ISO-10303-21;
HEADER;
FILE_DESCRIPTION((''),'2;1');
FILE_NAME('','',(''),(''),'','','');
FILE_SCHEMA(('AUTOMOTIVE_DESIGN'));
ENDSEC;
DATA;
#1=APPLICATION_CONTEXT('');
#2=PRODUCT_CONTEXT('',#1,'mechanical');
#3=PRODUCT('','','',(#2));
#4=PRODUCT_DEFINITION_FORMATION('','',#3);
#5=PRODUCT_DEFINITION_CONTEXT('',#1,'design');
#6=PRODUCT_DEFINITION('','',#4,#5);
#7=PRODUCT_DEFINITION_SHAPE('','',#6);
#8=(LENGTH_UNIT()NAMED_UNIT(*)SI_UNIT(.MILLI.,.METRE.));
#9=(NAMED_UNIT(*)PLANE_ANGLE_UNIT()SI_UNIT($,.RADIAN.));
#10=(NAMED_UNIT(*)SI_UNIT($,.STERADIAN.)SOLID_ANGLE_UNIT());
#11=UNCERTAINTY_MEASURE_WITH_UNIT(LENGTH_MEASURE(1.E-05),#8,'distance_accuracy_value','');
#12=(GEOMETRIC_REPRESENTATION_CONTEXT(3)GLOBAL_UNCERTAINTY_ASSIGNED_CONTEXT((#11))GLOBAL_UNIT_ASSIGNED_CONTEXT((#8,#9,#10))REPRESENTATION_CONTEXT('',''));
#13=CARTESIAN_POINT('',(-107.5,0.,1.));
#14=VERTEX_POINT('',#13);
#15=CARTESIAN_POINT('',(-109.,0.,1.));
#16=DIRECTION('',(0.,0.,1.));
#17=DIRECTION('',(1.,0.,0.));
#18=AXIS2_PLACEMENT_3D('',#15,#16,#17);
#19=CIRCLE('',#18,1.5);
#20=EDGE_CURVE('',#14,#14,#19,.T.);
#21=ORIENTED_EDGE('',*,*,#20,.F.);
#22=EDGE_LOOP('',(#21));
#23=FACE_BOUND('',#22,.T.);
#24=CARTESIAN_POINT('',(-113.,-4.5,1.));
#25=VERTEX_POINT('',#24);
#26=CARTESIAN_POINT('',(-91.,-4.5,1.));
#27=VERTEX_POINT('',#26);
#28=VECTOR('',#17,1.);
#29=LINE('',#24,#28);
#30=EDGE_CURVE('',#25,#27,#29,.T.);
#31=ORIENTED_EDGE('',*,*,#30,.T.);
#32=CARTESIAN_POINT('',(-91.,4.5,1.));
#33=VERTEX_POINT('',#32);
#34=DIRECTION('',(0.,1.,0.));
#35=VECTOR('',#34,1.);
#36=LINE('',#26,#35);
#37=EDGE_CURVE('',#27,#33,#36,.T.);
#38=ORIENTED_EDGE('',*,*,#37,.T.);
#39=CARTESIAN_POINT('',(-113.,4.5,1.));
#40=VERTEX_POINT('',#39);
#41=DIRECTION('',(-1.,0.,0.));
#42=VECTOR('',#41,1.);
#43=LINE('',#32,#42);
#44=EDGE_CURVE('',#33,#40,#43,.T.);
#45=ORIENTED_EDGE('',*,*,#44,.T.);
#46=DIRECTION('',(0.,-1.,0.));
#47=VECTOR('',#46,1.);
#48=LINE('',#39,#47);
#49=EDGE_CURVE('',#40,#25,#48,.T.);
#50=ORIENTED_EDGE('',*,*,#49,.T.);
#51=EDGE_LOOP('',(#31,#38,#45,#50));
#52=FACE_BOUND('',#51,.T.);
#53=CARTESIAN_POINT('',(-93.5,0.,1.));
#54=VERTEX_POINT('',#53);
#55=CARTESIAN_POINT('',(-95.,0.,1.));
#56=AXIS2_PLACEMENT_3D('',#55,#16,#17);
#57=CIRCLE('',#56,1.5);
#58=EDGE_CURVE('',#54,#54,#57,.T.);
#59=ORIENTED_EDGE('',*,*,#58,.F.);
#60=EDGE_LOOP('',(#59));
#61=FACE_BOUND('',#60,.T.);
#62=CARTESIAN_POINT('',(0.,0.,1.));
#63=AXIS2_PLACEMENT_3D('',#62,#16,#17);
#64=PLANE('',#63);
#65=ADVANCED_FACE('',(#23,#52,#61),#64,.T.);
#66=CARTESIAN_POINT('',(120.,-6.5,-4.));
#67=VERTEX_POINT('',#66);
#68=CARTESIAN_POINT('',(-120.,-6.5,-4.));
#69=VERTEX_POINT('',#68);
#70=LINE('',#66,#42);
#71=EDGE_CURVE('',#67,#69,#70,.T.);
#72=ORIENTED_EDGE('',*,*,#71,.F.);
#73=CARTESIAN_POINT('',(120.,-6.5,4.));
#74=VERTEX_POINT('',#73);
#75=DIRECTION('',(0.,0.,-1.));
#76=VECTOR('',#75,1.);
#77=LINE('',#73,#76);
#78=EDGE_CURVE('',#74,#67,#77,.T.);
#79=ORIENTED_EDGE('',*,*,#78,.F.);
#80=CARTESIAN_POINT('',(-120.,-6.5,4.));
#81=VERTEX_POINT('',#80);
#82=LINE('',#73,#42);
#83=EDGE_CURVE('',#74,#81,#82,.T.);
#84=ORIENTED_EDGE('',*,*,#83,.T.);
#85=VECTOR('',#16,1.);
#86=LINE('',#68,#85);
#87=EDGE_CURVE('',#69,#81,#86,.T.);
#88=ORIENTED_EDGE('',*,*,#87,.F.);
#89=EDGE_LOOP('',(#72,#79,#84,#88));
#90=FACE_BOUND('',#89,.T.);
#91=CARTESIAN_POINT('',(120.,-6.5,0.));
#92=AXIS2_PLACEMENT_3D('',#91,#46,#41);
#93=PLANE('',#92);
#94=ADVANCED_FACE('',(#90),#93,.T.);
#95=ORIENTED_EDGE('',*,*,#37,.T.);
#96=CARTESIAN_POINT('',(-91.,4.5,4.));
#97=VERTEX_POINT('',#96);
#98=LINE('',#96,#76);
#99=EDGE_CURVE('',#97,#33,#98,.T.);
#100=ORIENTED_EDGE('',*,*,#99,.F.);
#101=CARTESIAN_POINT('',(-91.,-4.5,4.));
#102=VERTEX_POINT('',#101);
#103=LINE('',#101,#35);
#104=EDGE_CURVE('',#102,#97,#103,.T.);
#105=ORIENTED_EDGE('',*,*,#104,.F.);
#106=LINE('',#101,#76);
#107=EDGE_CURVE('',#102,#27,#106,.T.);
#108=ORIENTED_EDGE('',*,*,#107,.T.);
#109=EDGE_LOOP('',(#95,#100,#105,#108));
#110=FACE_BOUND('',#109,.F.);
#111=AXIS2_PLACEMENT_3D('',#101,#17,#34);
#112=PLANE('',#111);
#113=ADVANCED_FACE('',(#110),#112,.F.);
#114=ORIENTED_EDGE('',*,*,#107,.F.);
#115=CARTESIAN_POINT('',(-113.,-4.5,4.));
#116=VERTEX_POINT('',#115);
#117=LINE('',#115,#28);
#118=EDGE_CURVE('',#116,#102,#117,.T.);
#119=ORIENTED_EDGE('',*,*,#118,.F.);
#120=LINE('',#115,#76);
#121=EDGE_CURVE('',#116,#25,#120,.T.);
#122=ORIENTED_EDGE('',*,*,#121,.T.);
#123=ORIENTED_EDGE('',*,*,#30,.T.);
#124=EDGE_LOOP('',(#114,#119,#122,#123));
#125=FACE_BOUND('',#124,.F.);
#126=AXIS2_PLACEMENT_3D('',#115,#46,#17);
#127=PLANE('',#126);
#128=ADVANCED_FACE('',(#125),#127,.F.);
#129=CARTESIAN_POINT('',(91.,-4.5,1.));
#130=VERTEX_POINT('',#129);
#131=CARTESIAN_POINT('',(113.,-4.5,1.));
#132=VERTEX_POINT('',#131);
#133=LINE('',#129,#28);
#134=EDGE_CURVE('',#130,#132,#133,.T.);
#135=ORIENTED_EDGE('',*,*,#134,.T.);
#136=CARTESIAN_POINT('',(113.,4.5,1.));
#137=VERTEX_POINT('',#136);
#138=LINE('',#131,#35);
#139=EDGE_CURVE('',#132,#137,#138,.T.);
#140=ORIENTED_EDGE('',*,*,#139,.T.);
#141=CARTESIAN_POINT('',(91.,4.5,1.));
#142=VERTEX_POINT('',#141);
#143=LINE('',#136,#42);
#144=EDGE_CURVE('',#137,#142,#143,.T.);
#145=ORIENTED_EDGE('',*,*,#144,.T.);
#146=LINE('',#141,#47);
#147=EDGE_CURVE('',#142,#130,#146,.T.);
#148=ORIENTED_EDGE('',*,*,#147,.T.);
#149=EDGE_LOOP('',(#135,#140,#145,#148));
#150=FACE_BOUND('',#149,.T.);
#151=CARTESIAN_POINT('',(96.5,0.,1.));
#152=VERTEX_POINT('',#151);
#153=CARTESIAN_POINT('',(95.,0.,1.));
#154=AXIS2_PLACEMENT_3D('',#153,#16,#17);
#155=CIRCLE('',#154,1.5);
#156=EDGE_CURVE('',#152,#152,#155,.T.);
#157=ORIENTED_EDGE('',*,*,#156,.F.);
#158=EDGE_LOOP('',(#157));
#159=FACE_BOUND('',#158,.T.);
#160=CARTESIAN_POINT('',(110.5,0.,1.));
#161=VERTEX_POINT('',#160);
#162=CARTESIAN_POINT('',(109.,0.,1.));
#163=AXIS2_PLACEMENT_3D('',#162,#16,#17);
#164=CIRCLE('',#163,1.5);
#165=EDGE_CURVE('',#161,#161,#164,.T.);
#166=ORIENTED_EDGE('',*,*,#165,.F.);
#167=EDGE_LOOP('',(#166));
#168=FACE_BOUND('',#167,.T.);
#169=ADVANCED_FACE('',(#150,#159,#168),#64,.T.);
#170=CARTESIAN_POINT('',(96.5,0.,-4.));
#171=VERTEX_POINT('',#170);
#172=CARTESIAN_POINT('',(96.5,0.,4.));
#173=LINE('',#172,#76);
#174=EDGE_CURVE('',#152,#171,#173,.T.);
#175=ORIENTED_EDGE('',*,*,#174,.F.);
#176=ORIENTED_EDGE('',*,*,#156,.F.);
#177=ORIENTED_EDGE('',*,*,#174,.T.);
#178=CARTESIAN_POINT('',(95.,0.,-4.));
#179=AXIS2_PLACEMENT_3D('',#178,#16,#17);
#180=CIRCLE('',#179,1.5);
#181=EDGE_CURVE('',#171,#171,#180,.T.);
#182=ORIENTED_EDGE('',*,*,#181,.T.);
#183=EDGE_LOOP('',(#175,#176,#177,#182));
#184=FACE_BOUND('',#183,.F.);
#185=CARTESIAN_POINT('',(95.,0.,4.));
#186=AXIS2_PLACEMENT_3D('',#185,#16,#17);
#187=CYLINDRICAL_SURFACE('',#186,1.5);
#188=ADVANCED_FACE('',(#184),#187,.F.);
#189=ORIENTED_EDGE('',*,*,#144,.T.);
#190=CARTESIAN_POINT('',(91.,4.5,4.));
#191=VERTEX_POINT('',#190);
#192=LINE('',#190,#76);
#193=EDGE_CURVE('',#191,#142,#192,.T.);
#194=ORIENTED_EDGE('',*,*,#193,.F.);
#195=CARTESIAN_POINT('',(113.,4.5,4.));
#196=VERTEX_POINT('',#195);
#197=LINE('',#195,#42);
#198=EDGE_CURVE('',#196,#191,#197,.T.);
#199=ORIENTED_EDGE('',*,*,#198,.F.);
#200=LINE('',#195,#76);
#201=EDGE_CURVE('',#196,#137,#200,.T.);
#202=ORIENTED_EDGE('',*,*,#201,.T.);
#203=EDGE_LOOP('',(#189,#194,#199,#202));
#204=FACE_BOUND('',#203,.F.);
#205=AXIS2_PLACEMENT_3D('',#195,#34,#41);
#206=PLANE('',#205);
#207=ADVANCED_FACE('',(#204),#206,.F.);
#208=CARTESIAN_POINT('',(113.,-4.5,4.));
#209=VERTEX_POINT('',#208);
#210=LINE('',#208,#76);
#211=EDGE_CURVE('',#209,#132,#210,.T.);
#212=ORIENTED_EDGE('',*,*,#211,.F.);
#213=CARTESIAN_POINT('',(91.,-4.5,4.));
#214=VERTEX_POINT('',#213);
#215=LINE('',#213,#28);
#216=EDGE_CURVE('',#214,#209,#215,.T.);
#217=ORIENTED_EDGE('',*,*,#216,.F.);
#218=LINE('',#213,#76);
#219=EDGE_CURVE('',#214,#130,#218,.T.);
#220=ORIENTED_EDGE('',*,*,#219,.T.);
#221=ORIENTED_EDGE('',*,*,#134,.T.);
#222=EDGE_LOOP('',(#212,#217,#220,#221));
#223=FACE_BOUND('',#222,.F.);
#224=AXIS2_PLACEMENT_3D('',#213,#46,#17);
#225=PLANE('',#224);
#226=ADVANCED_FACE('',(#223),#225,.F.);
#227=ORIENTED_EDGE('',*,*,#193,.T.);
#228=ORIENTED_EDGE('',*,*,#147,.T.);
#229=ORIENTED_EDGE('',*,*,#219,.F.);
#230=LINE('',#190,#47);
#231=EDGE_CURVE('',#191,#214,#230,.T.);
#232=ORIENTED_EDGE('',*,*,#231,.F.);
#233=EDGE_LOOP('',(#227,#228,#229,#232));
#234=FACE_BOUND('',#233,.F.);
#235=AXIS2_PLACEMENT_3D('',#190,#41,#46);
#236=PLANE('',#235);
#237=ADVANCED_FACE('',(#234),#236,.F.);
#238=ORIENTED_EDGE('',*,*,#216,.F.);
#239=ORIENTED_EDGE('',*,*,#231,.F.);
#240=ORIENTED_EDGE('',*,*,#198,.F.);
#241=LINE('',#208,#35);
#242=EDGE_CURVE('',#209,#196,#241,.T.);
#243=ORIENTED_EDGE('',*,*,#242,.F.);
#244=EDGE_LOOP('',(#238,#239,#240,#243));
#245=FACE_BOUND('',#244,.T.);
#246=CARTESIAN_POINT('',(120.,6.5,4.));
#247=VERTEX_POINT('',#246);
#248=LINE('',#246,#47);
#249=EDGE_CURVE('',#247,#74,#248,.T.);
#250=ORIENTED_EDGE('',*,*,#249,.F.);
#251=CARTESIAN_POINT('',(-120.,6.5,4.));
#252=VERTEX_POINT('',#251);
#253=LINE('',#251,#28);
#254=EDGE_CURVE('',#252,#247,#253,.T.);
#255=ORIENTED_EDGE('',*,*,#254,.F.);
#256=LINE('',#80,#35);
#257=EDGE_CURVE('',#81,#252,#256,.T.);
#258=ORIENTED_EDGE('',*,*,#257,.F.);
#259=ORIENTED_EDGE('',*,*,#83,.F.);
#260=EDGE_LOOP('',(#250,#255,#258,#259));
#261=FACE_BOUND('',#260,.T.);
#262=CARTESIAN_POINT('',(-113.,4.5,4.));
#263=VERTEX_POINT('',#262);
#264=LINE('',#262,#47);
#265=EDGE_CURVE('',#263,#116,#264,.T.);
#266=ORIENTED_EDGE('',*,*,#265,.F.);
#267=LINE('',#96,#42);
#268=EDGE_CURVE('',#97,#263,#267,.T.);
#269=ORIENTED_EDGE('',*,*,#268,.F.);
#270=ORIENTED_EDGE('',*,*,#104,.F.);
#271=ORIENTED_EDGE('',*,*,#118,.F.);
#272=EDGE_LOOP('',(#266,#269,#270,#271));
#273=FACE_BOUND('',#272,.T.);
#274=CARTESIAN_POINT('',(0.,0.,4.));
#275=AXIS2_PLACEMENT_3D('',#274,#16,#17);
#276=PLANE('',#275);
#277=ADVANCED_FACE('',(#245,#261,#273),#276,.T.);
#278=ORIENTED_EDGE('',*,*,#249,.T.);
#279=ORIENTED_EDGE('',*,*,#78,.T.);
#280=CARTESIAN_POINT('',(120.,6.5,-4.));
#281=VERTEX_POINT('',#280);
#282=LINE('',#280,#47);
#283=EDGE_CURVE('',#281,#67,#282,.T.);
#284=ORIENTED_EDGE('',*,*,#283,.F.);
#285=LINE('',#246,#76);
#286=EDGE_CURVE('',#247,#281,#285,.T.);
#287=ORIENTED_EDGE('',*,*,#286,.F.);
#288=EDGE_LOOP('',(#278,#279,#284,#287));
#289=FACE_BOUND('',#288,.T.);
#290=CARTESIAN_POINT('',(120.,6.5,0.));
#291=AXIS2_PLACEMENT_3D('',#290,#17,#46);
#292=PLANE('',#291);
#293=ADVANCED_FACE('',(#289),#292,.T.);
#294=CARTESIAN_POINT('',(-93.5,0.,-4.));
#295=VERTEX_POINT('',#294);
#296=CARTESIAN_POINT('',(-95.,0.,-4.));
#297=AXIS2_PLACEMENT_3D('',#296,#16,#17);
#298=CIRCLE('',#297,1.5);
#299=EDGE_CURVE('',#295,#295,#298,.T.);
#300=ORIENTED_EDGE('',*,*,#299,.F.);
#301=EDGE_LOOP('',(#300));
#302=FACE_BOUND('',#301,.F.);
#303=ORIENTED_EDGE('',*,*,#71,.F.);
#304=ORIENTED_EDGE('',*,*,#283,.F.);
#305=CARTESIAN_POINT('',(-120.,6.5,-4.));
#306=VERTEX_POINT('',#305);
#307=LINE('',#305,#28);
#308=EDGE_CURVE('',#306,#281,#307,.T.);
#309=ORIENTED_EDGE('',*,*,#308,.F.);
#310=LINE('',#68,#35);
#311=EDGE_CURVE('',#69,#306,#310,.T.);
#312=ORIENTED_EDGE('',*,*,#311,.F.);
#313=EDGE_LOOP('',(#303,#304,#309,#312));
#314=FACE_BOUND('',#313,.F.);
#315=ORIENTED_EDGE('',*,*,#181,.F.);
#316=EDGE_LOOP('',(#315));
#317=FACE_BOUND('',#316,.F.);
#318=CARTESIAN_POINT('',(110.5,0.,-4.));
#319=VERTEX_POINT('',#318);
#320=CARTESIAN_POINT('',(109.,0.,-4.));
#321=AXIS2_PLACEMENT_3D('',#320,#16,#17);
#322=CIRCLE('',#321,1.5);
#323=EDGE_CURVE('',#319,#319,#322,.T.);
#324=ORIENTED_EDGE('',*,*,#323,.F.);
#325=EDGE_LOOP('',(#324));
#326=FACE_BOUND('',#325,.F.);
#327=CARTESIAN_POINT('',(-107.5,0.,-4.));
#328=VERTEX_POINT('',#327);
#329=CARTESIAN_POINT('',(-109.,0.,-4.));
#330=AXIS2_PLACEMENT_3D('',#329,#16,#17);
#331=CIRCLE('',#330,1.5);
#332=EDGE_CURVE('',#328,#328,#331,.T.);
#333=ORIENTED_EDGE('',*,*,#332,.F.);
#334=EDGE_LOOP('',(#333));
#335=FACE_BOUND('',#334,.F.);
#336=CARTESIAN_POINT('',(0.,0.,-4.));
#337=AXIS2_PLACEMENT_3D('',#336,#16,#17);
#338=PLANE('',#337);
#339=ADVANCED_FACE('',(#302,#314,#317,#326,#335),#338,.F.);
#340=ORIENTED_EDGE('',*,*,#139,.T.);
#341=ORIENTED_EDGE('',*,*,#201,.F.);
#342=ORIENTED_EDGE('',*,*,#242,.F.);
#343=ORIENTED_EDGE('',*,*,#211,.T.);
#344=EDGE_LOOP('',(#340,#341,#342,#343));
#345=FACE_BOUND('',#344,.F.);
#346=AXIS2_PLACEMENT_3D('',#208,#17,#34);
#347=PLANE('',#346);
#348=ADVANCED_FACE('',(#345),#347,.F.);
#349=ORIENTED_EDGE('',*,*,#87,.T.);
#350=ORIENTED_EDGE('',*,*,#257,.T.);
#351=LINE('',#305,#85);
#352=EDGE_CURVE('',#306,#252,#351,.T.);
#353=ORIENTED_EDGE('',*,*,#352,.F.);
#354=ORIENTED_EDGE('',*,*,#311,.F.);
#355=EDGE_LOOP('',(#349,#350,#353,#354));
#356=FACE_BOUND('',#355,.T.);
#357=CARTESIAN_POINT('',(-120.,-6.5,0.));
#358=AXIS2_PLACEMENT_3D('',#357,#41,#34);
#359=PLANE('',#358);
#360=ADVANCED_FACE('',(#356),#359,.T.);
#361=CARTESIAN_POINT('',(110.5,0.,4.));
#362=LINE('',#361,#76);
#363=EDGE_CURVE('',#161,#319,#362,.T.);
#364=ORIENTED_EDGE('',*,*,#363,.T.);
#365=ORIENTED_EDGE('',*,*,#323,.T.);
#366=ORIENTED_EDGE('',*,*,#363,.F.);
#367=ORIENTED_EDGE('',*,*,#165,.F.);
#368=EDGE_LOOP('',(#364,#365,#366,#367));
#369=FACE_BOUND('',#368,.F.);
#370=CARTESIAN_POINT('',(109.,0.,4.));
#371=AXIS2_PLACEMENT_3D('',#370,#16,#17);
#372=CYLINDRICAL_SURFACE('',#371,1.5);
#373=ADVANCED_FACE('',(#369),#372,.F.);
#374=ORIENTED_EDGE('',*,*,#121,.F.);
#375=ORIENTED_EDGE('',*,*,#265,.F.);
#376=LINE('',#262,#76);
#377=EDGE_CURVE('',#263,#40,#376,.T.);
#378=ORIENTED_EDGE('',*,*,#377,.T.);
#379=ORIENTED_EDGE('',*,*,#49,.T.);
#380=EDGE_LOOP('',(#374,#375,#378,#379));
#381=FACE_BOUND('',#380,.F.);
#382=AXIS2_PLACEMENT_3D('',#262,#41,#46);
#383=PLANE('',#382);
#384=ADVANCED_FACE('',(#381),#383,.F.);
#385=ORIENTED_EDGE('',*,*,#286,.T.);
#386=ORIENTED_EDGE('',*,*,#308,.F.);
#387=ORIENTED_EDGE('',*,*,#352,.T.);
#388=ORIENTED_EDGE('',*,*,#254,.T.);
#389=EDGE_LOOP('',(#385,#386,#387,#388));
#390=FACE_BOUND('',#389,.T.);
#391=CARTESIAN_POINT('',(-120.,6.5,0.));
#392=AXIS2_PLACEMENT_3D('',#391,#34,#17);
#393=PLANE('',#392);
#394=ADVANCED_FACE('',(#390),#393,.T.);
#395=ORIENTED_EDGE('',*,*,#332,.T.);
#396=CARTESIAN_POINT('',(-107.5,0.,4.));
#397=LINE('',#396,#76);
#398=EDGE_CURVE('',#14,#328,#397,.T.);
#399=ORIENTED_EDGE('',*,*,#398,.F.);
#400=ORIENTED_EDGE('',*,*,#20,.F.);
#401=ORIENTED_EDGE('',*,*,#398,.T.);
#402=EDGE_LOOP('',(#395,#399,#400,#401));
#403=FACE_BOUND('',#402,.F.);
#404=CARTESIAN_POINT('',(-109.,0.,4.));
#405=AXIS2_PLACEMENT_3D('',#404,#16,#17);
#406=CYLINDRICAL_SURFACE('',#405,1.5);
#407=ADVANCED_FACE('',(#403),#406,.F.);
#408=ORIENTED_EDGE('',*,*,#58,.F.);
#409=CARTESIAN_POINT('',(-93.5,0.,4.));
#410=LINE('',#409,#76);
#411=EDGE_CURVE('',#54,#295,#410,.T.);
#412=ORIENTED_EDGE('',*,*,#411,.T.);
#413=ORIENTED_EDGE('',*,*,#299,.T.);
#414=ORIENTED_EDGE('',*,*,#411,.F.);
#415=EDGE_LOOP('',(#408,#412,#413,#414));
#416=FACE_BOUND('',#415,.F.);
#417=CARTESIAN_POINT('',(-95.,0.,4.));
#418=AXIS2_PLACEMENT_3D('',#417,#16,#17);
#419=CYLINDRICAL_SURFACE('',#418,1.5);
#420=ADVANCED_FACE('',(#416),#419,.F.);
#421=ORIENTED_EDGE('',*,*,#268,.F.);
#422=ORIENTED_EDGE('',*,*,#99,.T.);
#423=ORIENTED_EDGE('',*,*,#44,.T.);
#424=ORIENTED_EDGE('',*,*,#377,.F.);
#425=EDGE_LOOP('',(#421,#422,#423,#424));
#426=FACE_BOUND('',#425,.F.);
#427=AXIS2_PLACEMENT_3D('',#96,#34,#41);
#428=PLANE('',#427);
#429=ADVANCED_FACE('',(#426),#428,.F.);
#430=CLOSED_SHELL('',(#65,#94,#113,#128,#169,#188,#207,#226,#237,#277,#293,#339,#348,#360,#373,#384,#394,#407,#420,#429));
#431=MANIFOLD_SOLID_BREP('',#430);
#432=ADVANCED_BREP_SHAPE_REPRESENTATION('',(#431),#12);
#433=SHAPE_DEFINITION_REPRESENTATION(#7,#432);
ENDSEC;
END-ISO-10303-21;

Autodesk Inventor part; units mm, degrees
sketch "Sketch1" plane through (0, 0, 0) normal (0, 0, 1) x (1, 0, 0)
  line L0 (-120, 6.5) -> (120, 6.5)
  line L1 (120, 6.5) -> (120, -6.5)
  line L2 (120, -6.5) -> (-120, -6.5)
  line L3 (-120, -6.5) -> (-120, 6.5)
  line L4 (-120, 6.5) -> (120, -6.5) construction
  line L5 (120, 6.5) -> (-120, -6.5) construction
  point P0 (0, 0)
  point P1 (0, 0)
  dimension "d0" = 240
  dimension "d1" = 13
extrude "Extrusion1" add sketch "Sketch1" along normal mid plane 8
sketch "Sketch2" plane through (0, 0, 4) normal (0, 0, 1) x (1, 0, 0)
  circle A0 centre (-109, 0) radius 1.5 projected
  circle A1 centre (-95, 0) radius 1.5 projected
  circle A2 centre (95, 0) radius 1.5 projected
  circle A3 centre (109, 0) radius 1.5 projected
  point P0 (0, 0)
extrude "Extrusion2" cut sketch "Sketch2" against normal through all
sketch "Sketch3" plane through (0, 0, 4) normal (0, 0, 1) x (1, 0, 0)
  line L0 (-95, 0) -> (-109, 0) construction
  circle A0 centre (-95, 0) radius 1.5 projected
  circle A1 centre (-109, 0) radius 1.5 projected
  line L1 (-91, 4.5) -> (-113, 4.5)
  line L2 (-113, 4.5) -> (-113, -4.5)
  line L3 (-113, -4.5) -> (-91, -4.5)
  line L4 (-91, -4.5) -> (-91, 4.5)
  line L5 (-91, 4.5) -> (-113, -4.5) construction
  line L6 (-113, 4.5) -> (-91, -4.5) construction
  circle A2 centre (109, 0) radius 1.5 projected
  circle A3 centre (95, 0) radius 1.5 projected
  line L7 (109, 0) -> (95, 0) construction
  line L8 (113, 4.5) -> (91, 4.5)
  line L9 (91, 4.5) -> (91, -4.5)
  line L10 (91, -4.5) -> (113, -4.5)
  line L11 (113, -4.5) -> (113, 4.5)
  line L12 (113, 4.5) -> (91, -4.5) construction
  line L13 (91, 4.5) -> (113, -4.5) construction
  point P0 (0, 0)
  point P1 (-102, 0)
  point P2 (-102, 0)
  point P3 (102, 0)
  point P4 (102, 0)
  dimension "d9" = 22
  dimension "d10" = 9
extrude "Extrusion3" cut sketch "Sketch3" against normal blind 3
properties part number "conector_eixos_001" material "ABS Plastic"
